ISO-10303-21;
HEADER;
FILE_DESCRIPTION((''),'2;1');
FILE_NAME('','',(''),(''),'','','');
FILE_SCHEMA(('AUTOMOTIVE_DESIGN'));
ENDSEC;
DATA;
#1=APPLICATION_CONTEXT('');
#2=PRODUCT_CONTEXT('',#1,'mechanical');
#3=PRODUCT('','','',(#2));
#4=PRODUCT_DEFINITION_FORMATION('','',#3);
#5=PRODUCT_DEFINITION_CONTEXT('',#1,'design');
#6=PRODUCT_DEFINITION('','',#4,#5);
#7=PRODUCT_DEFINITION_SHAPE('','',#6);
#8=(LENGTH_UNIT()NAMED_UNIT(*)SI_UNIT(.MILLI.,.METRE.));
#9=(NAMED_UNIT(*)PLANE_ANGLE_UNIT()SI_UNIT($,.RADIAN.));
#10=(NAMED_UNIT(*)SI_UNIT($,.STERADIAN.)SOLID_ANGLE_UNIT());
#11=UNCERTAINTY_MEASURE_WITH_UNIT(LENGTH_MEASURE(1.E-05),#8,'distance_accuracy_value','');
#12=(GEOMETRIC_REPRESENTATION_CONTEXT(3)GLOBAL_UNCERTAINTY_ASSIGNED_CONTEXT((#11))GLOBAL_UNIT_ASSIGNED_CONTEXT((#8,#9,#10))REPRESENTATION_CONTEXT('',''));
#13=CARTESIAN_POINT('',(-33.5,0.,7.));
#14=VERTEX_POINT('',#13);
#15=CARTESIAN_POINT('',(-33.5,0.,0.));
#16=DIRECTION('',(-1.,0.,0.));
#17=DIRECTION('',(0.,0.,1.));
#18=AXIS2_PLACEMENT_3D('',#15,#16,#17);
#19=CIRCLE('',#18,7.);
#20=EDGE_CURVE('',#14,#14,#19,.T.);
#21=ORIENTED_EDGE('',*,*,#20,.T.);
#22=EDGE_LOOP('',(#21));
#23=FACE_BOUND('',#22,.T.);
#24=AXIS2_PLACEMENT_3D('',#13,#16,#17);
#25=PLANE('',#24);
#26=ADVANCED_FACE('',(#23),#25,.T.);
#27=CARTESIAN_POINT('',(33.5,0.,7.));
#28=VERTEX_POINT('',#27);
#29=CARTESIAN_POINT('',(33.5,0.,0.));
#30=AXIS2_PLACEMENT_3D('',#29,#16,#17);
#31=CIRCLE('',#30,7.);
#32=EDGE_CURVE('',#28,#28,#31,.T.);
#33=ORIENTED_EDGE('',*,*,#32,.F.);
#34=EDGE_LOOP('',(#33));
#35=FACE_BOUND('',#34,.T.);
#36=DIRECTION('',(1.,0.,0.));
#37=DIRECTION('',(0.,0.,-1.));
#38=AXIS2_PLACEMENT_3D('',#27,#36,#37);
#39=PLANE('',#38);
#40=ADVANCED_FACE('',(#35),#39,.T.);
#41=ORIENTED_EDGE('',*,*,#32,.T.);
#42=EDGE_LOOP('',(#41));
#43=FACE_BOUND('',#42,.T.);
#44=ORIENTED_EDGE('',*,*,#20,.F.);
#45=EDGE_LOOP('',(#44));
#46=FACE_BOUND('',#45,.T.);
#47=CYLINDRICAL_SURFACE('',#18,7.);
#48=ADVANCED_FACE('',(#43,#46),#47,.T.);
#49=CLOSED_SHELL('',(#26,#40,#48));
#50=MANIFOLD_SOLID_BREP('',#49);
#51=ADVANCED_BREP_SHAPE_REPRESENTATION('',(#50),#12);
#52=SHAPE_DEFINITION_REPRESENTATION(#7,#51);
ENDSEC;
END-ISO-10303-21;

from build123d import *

# Parameters (mm, degrees)
SKETCH1_W = 67
SKETCH1_H = 7


with BuildPart() as part:
    # Sketch1 → Revolve2 (revolve)
    with BuildSketch(Plane(origin=(0, 0, 0), x_dir=(1, 0, 0), z_dir=(0, 1, 0))):
        with Locations((0, -3.5)):
            Rectangle(SKETCH1_W, SKETCH1_H)
    revolve(axis=Axis((-33.5, 0, 0), (1, 0, 0)))


solid = part.part
